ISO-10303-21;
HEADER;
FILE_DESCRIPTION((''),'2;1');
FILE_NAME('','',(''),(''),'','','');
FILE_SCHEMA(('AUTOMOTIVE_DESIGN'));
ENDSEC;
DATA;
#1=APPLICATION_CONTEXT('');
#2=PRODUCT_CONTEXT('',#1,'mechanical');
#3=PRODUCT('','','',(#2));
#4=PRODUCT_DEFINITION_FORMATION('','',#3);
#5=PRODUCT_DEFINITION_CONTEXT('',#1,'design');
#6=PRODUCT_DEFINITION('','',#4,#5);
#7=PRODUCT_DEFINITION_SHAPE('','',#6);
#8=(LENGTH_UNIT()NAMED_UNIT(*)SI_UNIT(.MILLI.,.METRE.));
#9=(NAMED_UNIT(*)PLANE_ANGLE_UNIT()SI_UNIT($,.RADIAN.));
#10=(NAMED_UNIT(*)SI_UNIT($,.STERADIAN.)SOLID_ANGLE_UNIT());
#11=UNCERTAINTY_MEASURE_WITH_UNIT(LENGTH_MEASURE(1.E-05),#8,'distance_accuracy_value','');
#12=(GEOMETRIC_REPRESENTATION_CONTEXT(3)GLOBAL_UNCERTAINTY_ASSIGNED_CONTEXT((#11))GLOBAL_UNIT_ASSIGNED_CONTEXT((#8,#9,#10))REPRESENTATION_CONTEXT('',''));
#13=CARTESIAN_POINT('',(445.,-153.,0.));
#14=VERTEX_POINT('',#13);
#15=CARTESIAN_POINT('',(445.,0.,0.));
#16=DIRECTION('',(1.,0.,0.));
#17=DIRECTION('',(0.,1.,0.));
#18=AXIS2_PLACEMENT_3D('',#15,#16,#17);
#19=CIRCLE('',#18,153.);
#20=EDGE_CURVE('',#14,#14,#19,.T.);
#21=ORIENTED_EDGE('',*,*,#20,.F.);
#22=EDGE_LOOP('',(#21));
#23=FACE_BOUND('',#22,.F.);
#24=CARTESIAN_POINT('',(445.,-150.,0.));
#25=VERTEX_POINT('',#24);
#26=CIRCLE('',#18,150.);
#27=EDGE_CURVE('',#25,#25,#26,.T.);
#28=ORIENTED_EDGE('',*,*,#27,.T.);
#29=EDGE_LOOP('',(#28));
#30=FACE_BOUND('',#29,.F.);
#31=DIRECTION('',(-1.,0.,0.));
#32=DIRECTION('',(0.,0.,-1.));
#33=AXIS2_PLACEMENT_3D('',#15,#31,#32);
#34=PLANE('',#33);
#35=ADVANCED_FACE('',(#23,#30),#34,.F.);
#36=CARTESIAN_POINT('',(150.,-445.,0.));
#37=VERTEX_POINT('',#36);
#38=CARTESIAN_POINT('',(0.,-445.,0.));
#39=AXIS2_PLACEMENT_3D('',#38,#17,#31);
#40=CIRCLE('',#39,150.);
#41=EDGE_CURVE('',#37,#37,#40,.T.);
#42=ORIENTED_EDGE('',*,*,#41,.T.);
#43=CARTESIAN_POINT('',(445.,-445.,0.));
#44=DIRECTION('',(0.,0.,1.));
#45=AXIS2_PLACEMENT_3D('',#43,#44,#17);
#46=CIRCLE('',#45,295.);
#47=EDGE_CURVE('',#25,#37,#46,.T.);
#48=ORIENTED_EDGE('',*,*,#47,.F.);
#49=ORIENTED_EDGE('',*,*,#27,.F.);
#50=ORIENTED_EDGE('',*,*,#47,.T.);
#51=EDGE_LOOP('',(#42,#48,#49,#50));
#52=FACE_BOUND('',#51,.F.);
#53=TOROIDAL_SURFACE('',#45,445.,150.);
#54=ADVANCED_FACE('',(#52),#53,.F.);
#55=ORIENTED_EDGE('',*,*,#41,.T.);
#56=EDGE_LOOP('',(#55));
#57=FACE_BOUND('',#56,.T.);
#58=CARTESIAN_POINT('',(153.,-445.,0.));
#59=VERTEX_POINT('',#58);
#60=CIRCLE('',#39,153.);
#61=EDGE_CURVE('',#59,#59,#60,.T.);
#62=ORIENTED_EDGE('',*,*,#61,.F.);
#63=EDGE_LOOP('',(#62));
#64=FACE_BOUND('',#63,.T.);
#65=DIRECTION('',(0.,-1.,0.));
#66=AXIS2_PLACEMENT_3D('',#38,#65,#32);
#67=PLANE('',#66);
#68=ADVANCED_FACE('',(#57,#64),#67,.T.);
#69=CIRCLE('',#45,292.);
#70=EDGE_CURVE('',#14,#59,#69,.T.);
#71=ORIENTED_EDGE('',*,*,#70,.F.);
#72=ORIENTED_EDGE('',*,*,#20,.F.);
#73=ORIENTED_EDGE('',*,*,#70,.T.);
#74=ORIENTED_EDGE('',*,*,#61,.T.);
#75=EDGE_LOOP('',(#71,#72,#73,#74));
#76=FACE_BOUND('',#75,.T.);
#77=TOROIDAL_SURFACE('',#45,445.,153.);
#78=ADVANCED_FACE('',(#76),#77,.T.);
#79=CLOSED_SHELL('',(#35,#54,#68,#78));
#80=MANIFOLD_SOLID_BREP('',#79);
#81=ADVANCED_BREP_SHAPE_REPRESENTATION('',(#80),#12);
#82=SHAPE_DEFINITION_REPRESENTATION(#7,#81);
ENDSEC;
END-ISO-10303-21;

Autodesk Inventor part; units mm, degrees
ref_plane "YZ Plane" through (0, 0, 0) normal (1, 0, 0) x (0, 1, 0)
ref_plane "XZ Plane" through (0, 0, 0) normal (0, 1, 0) x (-1, 0, 0)
sketch "Szkic6" plane through (0, 0, 0) normal (0, 0, 1) x (1, 0, 0)
  line L0 (-29.6067, 0) -> (35.2678, 0) construction
  line L1 (0, 42.3419) -> (0, -58.3726) construction
  arc A0 (445, 0) -> (0, -445) centre (445, -445) ccw
  line L2 (0, -445) -> (445, -445) construction
  line L3 (445, -445) -> (445, -379.4669) construction
  line L4 (445, 0) -> (445, 0)
  line L5 (0, -445) -> (0, -445)
  point P0 (0, 0)
  dimension "d24" = 445
  dimension "d31" = 90
  dimension "d36" = 0
  dimension "d37" = 0
ref_plane "Płaszczyzna konstrukcyjna2" through (0, -445, 0) normal (0, -1, 0) x (1, 0, 0)
sketch "Szkic8" plane through (0, -445, 0) normal (0, -1, 0) x (1, 0, 0)
  circle A0 centre (0, 0) radius 153
  circle A1 centre (0, 0) radius 150
  dimension "d32" = 306
  dimension "d33" = 3
sweep "Przeciągnięcie2" add profiles "Szkic8" path "Szkic6"
equation "\"d32\" = OD"
equation "\"d33\" = THK"
equation "\"d24\" = R"
equation "\"d31\" = KAT"
equation "\"SzerokośćGięciaPodcięcia\" = Grubość"
equation "\"RozmiarPodcięciaNarożnika\" = 4 * Grubość"
equation "\"PromieńPrzejścia\" = PromieńGięcia"
equation "\"Rozmiar_promienia_Jacobiego\" = PromieńGięcia"
equation "\"Wielk_odstępu\" = Grubość"
equation "\"d2\" = PromieńGięcia"
equation "\"d23\" = PromieńGięcia"
equation "\"R\" = 445"
equation "\"OD\" = 306"
equation "\"THK\" = 3"
equation "\"KAT\" = 90deg"
equation "\"PROSTKA\" = 0"
equation "\"Grubość\" = 1.5"
equation "\"PromieńGięcia\" = 3"
properties part number "Kolano 90° ø306x3 R445" material "304L"
